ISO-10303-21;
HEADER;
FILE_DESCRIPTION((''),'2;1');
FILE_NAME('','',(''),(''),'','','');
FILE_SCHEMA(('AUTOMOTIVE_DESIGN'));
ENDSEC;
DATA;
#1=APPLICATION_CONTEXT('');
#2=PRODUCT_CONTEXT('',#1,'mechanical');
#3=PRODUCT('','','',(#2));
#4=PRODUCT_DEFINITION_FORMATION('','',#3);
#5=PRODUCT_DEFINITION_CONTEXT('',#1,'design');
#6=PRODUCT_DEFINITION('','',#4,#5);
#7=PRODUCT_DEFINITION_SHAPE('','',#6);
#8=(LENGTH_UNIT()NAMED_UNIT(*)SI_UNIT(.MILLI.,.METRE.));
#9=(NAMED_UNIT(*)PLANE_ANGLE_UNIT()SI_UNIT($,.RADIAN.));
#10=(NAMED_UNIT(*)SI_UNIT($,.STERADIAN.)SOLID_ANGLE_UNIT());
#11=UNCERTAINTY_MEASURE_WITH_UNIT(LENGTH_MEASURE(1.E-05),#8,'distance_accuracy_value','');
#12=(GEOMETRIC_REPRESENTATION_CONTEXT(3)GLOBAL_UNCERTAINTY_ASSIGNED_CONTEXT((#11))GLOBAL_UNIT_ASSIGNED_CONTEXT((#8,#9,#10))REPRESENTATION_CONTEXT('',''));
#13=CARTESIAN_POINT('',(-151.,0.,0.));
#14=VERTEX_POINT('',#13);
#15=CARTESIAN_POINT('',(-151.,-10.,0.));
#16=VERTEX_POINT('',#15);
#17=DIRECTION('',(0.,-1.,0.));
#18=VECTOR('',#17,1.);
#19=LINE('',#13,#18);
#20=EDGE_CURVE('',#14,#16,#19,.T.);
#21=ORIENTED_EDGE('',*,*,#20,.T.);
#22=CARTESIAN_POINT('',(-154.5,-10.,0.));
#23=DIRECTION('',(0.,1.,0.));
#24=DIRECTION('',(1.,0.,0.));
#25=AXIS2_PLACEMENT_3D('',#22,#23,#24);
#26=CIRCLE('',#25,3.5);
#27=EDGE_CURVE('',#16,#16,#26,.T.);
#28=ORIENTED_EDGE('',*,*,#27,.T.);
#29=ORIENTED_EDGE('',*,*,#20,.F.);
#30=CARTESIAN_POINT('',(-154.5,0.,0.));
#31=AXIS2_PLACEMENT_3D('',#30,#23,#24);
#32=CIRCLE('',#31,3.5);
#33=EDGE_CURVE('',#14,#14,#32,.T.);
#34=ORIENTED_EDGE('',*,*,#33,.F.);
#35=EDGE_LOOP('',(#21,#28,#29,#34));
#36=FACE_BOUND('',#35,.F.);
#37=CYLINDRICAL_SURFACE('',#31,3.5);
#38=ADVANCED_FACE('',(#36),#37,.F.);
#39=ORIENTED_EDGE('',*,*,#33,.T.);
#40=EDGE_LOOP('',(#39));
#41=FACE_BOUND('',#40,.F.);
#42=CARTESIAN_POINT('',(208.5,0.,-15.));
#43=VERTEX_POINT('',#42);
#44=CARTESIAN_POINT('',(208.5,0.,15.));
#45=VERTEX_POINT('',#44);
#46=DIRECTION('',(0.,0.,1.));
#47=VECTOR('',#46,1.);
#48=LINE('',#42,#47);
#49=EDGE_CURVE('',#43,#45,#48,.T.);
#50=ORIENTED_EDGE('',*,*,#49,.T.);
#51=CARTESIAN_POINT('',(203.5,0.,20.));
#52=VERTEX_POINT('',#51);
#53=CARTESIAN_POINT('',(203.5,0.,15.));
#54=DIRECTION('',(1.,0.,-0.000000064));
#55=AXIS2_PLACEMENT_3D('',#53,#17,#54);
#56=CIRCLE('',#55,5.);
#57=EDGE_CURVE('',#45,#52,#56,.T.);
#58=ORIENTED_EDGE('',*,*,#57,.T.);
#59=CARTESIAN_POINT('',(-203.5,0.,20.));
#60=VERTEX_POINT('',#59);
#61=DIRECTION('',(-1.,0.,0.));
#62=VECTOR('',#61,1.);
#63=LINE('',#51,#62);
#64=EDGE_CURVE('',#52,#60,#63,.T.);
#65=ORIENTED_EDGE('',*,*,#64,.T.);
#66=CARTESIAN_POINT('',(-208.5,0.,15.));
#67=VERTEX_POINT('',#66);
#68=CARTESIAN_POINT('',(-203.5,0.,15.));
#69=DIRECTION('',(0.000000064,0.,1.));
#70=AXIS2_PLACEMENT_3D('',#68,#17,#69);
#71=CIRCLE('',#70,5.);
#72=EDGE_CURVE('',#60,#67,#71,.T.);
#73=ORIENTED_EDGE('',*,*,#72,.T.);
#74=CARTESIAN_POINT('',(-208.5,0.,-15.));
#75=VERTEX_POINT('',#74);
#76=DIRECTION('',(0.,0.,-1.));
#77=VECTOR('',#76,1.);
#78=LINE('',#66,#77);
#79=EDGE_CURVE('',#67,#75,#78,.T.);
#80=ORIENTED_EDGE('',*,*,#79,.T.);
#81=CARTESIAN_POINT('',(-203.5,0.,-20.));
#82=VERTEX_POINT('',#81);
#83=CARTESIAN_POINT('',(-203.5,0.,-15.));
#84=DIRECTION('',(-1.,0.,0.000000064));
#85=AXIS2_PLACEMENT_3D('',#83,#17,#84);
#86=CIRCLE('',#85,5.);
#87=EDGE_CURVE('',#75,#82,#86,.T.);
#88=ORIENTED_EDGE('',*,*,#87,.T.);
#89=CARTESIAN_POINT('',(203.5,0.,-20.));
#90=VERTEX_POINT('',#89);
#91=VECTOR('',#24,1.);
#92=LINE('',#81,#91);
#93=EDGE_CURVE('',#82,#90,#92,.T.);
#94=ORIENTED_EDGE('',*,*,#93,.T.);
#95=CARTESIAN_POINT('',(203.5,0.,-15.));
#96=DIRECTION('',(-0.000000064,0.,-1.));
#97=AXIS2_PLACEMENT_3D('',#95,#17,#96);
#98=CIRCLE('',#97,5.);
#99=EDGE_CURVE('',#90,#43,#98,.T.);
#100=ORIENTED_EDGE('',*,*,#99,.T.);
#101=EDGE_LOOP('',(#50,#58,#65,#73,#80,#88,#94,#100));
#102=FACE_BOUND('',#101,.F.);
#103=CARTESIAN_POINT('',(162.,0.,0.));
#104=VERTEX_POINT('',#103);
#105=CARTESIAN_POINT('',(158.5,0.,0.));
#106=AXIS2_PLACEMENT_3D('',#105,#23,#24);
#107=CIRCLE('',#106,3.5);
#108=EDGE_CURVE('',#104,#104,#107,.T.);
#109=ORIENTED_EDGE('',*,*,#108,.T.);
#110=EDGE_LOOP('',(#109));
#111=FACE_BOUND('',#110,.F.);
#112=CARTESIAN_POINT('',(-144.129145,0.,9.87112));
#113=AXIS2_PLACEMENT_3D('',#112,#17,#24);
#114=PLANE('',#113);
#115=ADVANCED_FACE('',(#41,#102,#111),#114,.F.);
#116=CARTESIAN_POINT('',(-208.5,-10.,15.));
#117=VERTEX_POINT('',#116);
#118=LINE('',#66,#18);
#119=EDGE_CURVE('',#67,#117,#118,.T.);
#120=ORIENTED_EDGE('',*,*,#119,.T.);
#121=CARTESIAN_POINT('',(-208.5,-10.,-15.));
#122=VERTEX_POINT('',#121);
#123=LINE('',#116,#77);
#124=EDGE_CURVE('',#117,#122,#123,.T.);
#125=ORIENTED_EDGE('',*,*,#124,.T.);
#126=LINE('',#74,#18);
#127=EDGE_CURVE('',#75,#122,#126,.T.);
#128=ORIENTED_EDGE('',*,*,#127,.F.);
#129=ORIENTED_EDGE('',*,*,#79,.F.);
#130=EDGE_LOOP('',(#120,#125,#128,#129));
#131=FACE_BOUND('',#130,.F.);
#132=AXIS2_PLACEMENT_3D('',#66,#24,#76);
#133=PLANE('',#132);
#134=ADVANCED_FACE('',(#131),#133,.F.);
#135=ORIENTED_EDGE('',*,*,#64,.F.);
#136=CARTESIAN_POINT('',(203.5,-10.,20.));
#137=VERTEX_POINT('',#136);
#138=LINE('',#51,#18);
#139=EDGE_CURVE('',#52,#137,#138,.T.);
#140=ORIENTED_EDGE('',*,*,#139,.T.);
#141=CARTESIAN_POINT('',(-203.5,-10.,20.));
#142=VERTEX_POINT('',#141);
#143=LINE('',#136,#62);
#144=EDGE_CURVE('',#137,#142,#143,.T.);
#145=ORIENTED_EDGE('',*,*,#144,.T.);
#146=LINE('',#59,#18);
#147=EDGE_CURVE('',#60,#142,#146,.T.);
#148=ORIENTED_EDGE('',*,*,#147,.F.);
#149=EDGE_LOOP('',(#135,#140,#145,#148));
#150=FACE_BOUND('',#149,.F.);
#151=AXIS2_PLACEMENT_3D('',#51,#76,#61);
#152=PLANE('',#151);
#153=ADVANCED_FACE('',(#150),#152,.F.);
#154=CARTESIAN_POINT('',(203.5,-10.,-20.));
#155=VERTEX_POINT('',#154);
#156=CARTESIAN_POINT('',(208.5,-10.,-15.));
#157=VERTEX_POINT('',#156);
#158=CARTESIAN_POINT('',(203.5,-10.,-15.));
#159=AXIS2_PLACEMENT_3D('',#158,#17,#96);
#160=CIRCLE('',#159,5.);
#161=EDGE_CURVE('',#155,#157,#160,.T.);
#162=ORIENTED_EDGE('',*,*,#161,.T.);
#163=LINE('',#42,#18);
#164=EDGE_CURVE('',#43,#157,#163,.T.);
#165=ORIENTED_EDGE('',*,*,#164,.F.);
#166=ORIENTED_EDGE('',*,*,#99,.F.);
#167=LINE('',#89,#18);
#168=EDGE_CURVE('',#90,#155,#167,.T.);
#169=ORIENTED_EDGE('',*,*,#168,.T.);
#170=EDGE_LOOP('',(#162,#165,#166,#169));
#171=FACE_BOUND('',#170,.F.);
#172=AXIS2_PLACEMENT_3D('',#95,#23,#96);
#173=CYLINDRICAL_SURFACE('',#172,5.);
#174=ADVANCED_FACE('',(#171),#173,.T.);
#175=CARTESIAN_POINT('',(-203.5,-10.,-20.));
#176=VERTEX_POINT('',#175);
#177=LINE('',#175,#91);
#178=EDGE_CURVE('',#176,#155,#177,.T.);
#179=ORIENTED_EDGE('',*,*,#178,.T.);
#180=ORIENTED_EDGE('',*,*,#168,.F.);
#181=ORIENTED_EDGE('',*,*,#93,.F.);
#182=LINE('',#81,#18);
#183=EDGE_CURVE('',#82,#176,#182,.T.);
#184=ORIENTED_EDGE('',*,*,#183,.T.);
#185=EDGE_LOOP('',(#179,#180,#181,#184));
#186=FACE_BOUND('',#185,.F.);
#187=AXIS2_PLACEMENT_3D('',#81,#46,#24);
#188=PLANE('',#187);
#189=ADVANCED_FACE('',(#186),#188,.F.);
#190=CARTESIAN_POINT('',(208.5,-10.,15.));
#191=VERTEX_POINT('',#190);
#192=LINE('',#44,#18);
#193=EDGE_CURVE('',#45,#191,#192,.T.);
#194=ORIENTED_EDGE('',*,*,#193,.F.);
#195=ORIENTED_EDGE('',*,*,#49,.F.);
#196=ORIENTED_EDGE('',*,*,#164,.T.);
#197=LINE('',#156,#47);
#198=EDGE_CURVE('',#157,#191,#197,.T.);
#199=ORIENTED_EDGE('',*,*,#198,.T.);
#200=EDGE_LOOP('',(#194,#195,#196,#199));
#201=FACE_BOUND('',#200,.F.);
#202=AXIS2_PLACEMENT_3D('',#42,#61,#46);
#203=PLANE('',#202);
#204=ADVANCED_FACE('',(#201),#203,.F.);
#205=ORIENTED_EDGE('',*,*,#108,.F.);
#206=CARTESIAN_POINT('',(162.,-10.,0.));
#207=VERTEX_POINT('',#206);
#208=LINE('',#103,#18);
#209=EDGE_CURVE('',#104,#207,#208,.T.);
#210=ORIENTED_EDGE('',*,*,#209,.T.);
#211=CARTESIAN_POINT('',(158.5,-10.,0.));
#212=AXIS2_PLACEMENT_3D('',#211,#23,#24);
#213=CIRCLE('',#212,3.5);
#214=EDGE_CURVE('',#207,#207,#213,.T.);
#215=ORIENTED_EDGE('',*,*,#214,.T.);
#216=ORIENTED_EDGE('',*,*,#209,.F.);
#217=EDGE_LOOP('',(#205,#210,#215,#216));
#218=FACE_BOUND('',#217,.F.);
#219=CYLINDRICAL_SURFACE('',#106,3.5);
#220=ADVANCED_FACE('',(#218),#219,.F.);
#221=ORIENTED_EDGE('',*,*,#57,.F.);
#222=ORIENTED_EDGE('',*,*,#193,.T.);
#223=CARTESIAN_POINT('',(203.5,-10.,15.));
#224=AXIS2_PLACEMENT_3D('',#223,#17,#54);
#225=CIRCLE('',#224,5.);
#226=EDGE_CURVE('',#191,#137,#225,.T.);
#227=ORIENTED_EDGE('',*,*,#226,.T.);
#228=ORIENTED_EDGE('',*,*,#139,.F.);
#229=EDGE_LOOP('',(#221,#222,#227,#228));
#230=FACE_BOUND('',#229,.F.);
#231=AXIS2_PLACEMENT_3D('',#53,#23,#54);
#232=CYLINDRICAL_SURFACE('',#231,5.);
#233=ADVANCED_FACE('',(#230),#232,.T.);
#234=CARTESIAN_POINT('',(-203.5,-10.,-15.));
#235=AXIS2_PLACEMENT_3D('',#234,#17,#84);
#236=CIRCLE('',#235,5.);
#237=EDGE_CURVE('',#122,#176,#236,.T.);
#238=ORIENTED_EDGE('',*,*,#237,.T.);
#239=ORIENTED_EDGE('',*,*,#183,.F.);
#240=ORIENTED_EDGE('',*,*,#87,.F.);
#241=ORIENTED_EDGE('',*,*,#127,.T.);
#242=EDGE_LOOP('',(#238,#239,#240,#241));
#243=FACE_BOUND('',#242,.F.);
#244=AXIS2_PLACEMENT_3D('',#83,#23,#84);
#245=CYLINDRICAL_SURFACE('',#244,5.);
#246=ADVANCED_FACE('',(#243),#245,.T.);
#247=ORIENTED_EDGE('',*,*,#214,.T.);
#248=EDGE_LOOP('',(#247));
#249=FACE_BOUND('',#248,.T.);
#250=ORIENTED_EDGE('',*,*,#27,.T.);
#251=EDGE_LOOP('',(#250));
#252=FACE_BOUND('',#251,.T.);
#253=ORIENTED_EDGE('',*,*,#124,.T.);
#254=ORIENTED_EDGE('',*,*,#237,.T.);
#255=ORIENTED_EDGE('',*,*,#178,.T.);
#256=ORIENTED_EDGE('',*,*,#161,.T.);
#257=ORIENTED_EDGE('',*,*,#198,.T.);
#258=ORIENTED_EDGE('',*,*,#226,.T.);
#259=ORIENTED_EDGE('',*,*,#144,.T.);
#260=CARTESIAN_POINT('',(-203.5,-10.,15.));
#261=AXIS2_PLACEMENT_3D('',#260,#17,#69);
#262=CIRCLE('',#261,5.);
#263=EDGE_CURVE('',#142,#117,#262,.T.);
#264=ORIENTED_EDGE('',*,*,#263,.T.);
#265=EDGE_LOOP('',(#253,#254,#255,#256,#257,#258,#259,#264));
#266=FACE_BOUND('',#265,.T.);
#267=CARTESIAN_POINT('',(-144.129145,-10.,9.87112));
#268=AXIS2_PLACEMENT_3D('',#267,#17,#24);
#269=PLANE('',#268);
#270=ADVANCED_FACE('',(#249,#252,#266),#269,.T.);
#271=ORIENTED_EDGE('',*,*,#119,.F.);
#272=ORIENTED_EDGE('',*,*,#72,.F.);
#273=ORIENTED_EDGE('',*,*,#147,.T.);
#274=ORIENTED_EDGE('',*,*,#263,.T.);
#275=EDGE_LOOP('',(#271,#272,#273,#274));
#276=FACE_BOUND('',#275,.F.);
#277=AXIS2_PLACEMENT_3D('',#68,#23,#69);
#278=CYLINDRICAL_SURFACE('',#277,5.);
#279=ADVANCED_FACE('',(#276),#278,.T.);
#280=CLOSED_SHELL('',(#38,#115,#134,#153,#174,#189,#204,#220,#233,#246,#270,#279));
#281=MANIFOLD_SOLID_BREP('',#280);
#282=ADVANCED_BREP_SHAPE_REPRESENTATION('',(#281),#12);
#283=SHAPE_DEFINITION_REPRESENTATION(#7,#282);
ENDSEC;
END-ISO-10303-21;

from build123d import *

# Parameters (mm, degrees)
F0_W     = 10
F0_H     = 20
F1_DEPTH = 10


with BuildPart() as f1:
    # F0 (on Front) → F1 (new body)
    with BuildSketch(Plane.XZ):
        with BuildLine():
            Line((-80.5, 20), (-203.5, 20))
            ThreePointArc((-203.5, 20), (-207.035534, 18.535534), (-208.5, 15))
            Line((-208.5, 15), (-208.5, 0))
            Line((-208.5, 0), (-158, 0))
            ThreePointArc((-158, 0), (-154.5, 3.5), (-151, 0))
            Line((-151, 0), (-80.5, 0))
            Line((-80.5, 0), (-80.5, 20))
        make_face()
        with Locations((-75.5, 10)):
            Rectangle(F0_W, F0_H)
        with BuildLine():
            Line((198.5, 20), (-70.5, 20))
            Line((-70.5, 20), (-70.5, 0))
            Line((-70.5, 0), (155, 0))
            ThreePointArc((155, 0), (158.5, 3.5), (162, 0))
            Line((162, 0), (198.5, 0))
            Line((198.5, 0), (198.5, 20))
        make_face()
        with BuildLine():
            Line((-80.5, -20), (-80.5, 0))
            Line((-80.5, 0), (-151, 0))
            ThreePointArc((-151, 0), (-154.5, -3.5), (-158, 0))
            Line((-158, 0), (-208.5, 0))
            Line((-208.5, 0), (-208.5, -15))
            ThreePointArc((-208.5, -15), (-207.035534, -18.535534), (-203.5, -20))
            Line((-203.5, -20), (-80.5, -20))
        make_face()
        with Locations((-75.5, -10)):
            Rectangle(F0_W, F0_H)
        with BuildLine():
            Line((203.5, 20), (198.5, 20))
            Line((198.5, 20), (198.5, 0))
            Line((198.5, 0), (208.5, 0))
            Line((208.5, 0), (208.5, 15))
            ThreePointArc((208.5, 15), (207.035534, 18.535534), (203.5, 20))
        make_face()
        with BuildLine():
            Line((155, 0), (-70.5, 0))
            Line((-70.5, 0), (-70.5, -20))
            Line((-70.5, -20), (198.5, -20))
            Line((198.5, -20), (198.5, 0))
            Line((198.5, 0), (162, 0))
            ThreePointArc((162, 0), (158.5, -3.5), (155, 0))
        make_face()
        with BuildLine():
            Line((208.5, 0), (198.5, 0))
            Line((198.5, 0), (198.5, -20))
            Line((198.5, -20), (203.5, -20))
            ThreePointArc((203.5, -20), (207.035534, -18.535534), (208.5, -15))
            Line((208.5, -15), (208.5, 0))
        make_face()
    extrude(amount=F1_DEPTH)


solid = f1.part
